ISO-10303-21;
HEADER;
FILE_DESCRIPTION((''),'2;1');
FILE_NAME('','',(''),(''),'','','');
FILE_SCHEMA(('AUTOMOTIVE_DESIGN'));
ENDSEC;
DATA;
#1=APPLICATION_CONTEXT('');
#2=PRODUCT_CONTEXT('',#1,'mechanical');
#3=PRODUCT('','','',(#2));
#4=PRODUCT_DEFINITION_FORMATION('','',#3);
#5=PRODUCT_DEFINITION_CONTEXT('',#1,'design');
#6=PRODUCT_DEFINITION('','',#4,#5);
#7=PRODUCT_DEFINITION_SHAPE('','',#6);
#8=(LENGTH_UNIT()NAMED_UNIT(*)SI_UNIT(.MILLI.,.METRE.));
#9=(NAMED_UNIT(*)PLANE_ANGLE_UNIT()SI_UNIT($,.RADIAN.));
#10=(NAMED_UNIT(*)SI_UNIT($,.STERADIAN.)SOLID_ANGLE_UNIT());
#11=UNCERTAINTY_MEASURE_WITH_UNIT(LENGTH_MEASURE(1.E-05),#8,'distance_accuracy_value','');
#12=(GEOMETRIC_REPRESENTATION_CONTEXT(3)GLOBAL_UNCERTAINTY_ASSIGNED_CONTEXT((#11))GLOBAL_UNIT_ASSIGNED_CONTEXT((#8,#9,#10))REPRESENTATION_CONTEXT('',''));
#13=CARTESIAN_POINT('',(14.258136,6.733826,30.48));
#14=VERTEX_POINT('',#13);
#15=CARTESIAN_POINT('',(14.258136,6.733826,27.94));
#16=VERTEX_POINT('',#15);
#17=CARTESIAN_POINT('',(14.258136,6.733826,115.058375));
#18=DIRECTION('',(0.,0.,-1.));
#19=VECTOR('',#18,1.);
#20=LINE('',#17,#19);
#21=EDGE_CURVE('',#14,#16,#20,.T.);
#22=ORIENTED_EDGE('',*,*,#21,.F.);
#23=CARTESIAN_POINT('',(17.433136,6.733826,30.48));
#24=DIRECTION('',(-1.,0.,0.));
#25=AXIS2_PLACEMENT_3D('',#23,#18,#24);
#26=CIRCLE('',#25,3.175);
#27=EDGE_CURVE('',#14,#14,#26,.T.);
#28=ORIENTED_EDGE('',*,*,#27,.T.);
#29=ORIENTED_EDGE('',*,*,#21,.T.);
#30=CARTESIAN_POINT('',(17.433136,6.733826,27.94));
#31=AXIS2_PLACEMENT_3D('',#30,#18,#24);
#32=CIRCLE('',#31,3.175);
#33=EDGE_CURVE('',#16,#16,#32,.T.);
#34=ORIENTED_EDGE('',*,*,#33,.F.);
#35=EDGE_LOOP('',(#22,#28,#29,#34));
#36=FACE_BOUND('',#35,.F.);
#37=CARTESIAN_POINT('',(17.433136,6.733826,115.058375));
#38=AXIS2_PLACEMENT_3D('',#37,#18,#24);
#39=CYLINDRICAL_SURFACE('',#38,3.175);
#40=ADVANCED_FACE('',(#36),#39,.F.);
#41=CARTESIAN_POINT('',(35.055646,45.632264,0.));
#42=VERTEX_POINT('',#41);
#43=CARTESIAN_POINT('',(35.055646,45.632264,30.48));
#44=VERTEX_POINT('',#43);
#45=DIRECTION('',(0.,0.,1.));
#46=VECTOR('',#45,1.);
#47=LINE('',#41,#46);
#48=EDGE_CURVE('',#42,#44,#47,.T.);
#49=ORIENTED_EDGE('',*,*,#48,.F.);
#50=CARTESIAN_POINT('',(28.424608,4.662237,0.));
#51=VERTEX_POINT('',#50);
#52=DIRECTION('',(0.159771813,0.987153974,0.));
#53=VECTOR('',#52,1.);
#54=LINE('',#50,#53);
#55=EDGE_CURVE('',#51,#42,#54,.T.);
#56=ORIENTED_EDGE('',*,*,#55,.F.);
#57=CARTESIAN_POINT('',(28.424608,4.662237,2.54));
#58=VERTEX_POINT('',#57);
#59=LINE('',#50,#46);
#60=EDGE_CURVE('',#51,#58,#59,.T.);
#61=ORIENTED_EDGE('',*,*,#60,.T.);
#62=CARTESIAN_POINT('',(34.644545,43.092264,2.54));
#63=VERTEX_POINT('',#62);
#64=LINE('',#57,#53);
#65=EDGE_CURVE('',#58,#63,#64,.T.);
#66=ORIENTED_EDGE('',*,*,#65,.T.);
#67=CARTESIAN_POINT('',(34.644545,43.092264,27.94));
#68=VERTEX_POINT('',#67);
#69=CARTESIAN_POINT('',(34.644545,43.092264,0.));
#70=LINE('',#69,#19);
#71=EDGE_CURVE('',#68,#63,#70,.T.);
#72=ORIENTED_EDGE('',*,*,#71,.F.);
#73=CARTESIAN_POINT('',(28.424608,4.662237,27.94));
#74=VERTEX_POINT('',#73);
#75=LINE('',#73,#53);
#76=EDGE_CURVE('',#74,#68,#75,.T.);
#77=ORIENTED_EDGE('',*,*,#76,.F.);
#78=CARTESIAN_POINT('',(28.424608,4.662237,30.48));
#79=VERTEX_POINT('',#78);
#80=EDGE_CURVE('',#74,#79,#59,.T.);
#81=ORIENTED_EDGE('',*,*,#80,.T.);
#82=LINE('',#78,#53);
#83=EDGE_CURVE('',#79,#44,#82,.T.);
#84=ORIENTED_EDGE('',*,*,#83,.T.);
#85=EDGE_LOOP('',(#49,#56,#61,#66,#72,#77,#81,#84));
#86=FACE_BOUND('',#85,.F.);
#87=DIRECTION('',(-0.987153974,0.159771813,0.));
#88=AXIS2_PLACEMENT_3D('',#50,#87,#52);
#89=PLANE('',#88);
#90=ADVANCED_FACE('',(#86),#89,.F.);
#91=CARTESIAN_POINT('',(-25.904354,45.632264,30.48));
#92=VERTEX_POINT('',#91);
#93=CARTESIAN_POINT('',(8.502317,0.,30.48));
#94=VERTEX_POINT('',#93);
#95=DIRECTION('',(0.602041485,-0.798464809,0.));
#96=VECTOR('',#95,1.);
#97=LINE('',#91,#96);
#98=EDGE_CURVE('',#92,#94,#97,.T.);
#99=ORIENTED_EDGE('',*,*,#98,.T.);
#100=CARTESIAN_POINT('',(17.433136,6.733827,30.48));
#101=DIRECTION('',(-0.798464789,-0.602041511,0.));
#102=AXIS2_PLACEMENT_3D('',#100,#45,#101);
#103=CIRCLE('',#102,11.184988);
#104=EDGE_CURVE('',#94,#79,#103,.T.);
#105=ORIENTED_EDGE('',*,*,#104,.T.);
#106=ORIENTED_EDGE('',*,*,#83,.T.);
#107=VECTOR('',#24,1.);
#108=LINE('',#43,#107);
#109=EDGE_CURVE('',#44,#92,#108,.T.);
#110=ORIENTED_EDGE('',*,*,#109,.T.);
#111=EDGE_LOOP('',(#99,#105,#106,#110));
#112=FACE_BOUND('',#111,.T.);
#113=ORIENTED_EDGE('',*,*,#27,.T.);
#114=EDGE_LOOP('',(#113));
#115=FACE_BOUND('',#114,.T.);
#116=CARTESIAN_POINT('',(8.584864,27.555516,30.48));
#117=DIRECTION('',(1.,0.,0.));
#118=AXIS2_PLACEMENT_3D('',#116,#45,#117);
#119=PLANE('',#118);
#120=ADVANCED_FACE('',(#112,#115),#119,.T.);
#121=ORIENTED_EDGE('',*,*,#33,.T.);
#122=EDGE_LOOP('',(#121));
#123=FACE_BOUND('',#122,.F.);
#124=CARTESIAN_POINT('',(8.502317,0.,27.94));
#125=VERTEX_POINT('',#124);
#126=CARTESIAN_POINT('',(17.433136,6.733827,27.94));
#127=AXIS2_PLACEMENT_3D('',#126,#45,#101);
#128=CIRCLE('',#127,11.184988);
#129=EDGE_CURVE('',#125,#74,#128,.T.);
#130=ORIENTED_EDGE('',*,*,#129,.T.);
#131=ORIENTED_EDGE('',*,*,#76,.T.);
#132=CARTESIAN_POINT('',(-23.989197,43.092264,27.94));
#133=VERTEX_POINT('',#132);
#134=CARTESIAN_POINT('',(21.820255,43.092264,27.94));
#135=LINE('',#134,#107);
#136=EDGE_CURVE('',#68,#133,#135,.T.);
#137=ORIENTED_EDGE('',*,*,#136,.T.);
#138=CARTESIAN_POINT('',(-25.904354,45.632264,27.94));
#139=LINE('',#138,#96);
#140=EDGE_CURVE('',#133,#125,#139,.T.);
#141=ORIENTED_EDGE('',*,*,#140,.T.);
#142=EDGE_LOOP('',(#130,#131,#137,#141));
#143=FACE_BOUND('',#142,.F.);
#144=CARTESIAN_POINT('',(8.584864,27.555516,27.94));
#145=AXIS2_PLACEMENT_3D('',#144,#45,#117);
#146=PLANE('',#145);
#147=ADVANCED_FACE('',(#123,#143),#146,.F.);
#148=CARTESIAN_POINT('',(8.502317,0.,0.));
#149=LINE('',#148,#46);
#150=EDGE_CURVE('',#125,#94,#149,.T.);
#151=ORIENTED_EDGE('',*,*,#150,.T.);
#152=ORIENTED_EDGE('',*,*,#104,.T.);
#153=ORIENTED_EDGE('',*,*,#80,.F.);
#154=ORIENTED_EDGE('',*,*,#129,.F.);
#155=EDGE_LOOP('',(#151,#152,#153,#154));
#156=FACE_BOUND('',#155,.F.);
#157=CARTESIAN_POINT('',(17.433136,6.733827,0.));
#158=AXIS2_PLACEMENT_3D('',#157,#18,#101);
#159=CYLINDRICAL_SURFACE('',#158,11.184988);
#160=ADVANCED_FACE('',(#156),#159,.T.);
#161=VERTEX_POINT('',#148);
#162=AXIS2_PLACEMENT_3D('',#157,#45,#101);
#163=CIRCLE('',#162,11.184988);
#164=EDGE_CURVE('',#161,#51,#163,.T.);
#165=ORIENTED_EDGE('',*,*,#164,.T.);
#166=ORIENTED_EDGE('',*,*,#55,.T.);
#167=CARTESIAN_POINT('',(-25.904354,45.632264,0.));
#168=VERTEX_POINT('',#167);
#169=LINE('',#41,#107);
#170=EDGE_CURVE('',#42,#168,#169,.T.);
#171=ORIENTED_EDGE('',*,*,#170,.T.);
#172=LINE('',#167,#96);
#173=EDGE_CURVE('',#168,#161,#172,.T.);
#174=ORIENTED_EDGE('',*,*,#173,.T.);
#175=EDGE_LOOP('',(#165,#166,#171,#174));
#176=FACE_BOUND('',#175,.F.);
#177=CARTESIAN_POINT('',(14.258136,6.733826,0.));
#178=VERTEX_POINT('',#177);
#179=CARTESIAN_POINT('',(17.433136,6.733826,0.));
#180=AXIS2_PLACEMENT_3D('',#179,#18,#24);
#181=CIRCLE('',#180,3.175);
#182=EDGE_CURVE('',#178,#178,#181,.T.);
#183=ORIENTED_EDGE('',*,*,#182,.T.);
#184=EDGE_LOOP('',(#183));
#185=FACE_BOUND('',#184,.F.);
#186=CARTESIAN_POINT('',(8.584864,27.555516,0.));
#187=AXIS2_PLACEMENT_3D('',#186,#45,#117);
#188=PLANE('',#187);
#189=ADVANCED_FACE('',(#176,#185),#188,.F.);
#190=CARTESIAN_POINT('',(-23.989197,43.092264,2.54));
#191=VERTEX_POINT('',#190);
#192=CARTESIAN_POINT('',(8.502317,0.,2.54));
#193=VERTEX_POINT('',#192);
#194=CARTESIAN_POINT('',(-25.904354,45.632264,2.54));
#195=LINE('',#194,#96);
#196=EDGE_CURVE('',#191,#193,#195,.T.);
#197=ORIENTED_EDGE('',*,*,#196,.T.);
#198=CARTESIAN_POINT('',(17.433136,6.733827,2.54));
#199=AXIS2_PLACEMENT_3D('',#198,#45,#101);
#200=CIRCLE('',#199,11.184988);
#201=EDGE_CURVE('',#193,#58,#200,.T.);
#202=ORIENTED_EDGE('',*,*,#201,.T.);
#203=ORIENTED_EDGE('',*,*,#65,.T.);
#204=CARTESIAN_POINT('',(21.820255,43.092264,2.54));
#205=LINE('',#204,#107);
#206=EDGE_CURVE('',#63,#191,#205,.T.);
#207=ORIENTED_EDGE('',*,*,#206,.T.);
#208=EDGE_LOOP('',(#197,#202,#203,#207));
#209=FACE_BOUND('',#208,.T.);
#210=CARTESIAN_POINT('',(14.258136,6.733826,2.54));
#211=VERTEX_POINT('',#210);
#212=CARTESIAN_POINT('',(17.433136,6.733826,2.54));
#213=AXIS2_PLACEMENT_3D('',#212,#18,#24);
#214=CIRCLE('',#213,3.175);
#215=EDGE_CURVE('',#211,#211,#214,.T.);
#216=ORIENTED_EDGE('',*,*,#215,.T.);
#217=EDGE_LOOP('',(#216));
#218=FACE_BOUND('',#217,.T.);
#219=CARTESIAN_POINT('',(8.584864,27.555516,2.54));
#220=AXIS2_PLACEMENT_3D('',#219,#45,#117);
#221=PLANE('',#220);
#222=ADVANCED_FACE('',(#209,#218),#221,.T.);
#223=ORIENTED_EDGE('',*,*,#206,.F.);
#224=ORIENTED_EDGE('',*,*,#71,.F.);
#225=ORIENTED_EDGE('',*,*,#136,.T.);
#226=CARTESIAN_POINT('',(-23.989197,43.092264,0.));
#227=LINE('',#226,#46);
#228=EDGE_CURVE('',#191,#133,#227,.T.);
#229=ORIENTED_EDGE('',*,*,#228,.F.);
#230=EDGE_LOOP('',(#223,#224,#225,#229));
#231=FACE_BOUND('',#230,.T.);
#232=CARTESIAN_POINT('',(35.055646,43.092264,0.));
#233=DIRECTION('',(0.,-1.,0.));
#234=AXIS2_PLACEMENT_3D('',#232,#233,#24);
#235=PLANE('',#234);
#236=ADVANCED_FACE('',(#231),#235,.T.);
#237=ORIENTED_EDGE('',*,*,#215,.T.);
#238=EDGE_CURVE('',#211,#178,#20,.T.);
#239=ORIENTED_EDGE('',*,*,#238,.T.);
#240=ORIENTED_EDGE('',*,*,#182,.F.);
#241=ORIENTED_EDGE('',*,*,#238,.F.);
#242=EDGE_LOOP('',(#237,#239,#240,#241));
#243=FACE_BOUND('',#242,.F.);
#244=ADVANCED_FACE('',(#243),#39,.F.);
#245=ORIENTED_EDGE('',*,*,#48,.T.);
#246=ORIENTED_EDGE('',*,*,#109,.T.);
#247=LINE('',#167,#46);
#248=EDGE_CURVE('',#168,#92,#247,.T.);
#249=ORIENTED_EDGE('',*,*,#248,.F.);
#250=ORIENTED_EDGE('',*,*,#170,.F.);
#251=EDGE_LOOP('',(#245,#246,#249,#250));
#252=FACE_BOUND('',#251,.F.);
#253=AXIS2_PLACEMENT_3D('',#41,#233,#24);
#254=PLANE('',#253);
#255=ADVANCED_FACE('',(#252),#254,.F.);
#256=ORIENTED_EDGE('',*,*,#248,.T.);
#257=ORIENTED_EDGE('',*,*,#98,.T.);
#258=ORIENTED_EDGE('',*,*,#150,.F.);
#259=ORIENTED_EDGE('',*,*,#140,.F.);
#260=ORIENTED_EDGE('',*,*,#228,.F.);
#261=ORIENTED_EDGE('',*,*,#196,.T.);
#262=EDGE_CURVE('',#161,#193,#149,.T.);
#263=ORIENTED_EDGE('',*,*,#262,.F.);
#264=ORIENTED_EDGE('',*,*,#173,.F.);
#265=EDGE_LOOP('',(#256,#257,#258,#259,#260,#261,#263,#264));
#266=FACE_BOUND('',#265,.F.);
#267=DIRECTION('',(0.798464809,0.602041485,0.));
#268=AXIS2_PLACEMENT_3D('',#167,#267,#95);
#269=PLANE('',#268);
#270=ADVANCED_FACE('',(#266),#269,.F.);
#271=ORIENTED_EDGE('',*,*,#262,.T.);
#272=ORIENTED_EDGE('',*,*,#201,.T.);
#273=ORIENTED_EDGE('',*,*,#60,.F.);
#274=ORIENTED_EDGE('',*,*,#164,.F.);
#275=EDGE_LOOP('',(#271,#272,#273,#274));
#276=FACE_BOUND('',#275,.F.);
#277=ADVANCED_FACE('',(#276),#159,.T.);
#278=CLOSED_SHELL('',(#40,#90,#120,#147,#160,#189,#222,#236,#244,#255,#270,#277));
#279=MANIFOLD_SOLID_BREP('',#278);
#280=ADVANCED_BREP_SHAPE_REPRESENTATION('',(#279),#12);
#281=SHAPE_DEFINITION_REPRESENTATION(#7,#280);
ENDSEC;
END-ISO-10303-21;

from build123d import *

# Parameters (mm, degrees)
F1_DEPTH = 30.48
F2_T     = -2.54
F4_D     = 6.35


with BuildPart() as f1:
    # F0 (on Top) → F1 (new body)
    with BuildSketch(Plane.XY):
        with BuildLine():
            Line((28.424608, 4.662237), (35.055646, 45.632264))
            Line((35.055646, 45.632264), (-25.904354, 45.632264))
            Line((-25.904354, 45.632264), (8.502317, 0))
            ThreePointArc((8.502317, 0), (19.9818, -4.156915), (28.424608, 4.662237))
        make_face()
    extrude(amount=F1_DEPTH)

    # F2
    f2_openings = [f1.faces().sort_by_distance(p)[0] for p in [
        (19.9818, -4.156915, 15.24),
        (31.740127, 25.14725, 15.24),
        (-8.701018, 22.816132, 15.24),
    ]]
    offset(amount=F2_T, openings=f2_openings)

    # F4 (through all)
    with Locations(Plane.XY.offset(30.48)):
        with Locations((17.433136, 6.733826)):
            Hole(F4_D / 2)


solid = f1.part
